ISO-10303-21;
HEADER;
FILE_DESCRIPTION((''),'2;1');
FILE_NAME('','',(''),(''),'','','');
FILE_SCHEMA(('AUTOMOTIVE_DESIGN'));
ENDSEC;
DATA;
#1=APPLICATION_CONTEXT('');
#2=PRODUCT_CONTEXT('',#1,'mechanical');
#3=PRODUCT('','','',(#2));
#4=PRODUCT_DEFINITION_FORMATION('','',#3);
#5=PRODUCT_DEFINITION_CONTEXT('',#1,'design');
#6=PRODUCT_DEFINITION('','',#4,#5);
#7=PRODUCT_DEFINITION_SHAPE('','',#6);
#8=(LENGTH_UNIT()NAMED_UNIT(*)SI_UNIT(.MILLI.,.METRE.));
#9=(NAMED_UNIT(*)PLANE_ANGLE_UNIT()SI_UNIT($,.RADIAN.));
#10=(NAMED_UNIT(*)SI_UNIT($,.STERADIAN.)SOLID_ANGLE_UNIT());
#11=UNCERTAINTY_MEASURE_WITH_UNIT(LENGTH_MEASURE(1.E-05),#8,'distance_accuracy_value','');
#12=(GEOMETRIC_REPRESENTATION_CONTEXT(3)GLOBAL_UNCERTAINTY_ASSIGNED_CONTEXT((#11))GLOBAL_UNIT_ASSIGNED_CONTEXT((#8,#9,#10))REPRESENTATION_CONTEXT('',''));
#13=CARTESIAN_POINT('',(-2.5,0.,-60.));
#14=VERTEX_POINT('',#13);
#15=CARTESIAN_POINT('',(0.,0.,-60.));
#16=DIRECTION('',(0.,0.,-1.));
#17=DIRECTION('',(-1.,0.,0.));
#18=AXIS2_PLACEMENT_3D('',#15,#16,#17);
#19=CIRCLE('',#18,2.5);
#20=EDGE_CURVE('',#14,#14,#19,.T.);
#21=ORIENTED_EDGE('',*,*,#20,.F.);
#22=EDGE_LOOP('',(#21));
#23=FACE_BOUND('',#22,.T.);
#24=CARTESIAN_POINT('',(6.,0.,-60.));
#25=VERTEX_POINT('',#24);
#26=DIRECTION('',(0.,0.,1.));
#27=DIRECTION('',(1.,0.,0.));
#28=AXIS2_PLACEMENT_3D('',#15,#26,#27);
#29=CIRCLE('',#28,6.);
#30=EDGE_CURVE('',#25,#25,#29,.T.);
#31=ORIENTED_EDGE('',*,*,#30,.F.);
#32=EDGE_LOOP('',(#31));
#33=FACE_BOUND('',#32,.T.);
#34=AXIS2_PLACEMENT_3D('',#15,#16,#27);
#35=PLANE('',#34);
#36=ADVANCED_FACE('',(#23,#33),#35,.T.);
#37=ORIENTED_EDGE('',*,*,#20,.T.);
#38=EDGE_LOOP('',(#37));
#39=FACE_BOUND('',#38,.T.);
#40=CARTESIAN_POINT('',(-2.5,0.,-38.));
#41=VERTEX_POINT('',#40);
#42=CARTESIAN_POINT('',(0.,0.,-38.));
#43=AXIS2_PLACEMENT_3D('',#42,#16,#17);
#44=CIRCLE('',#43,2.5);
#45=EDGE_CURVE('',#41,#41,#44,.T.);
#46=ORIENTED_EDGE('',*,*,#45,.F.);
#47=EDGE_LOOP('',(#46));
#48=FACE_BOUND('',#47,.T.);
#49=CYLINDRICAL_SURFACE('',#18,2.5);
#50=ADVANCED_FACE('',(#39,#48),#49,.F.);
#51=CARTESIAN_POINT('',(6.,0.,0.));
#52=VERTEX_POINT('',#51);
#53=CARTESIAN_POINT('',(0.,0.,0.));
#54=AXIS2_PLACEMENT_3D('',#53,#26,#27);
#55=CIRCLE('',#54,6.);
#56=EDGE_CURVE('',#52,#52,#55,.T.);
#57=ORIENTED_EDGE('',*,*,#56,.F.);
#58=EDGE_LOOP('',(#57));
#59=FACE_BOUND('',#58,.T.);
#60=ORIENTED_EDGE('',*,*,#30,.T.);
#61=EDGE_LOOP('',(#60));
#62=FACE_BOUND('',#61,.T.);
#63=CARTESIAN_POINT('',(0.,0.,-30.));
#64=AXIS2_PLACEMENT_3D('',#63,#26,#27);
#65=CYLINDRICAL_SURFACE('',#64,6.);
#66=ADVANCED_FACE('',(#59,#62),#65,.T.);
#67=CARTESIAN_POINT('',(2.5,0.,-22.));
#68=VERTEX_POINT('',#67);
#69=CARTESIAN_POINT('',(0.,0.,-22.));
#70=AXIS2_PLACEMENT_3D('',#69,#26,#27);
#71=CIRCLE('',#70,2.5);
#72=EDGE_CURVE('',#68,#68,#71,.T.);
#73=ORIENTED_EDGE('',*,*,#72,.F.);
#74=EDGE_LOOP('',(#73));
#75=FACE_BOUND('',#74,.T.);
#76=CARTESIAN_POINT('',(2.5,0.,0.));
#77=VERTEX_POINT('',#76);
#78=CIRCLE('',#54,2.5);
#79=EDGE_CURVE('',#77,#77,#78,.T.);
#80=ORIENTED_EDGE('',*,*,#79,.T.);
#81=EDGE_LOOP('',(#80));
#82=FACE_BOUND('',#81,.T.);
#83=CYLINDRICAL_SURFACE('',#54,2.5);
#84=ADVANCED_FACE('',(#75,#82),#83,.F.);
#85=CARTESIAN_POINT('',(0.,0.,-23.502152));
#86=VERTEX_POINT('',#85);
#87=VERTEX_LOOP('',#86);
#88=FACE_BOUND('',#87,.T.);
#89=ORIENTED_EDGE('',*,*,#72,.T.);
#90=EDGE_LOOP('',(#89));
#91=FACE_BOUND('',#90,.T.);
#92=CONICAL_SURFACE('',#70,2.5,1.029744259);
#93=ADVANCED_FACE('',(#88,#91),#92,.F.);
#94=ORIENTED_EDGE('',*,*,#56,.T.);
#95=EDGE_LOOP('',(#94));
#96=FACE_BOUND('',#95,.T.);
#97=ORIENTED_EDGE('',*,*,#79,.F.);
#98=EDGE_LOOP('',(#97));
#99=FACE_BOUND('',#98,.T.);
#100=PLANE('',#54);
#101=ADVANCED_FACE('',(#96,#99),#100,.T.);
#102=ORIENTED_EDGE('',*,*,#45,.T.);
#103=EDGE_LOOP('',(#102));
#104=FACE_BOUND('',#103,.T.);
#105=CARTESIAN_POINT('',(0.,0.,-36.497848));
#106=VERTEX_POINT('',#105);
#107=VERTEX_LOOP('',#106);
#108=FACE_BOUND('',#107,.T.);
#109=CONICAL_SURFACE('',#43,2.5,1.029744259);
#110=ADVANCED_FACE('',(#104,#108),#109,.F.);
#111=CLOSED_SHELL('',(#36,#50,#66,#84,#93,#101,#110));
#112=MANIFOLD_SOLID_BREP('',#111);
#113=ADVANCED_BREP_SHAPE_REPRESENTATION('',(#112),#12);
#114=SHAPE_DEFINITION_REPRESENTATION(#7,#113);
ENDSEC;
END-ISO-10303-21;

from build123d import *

# Parameters (mm, degrees)
SKETCH1_R           = 6
BOSS_EXTRUDE1_DEPTH = 30


with BuildPart() as part:
    # Sketch1 → Boss-Extrude1 (new body)
    with BuildSketch(Plane.XY):
        Circle(SKETCH1_R)
    boss_extrude1 = extrude(amount=-BOSS_EXTRUDE1_DEPTH)

    # Sketch5 → Tap Drill for M6x1.0 Tap1 (revolve, cut)
    with BuildSketch(Plane(origin=(0, 0, 0), x_dir=(0, -1, 0), z_dir=(1, 0, 0))):
        Polygon((0, 0), (0, 23.502151548), (2.5, 22), (2.5, 0), align=None)
    tap_drill_for_m6x1_0_tap1 = revolve(axis=Axis((0, 0, 6.35), (0, 0, -1)), mode=Mode.SUBTRACT)

    # Mirror1: Boss-Extrude1, Tap Drill for M6x1.0 Tap1 across plane
    add(boss_extrude1.mirror(Plane.XY.offset(-30)))
    add(tap_drill_for_m6x1_0_tap1.mirror(Plane.XY.offset(-30)), mode=Mode.SUBTRACT)


solid = part.part
